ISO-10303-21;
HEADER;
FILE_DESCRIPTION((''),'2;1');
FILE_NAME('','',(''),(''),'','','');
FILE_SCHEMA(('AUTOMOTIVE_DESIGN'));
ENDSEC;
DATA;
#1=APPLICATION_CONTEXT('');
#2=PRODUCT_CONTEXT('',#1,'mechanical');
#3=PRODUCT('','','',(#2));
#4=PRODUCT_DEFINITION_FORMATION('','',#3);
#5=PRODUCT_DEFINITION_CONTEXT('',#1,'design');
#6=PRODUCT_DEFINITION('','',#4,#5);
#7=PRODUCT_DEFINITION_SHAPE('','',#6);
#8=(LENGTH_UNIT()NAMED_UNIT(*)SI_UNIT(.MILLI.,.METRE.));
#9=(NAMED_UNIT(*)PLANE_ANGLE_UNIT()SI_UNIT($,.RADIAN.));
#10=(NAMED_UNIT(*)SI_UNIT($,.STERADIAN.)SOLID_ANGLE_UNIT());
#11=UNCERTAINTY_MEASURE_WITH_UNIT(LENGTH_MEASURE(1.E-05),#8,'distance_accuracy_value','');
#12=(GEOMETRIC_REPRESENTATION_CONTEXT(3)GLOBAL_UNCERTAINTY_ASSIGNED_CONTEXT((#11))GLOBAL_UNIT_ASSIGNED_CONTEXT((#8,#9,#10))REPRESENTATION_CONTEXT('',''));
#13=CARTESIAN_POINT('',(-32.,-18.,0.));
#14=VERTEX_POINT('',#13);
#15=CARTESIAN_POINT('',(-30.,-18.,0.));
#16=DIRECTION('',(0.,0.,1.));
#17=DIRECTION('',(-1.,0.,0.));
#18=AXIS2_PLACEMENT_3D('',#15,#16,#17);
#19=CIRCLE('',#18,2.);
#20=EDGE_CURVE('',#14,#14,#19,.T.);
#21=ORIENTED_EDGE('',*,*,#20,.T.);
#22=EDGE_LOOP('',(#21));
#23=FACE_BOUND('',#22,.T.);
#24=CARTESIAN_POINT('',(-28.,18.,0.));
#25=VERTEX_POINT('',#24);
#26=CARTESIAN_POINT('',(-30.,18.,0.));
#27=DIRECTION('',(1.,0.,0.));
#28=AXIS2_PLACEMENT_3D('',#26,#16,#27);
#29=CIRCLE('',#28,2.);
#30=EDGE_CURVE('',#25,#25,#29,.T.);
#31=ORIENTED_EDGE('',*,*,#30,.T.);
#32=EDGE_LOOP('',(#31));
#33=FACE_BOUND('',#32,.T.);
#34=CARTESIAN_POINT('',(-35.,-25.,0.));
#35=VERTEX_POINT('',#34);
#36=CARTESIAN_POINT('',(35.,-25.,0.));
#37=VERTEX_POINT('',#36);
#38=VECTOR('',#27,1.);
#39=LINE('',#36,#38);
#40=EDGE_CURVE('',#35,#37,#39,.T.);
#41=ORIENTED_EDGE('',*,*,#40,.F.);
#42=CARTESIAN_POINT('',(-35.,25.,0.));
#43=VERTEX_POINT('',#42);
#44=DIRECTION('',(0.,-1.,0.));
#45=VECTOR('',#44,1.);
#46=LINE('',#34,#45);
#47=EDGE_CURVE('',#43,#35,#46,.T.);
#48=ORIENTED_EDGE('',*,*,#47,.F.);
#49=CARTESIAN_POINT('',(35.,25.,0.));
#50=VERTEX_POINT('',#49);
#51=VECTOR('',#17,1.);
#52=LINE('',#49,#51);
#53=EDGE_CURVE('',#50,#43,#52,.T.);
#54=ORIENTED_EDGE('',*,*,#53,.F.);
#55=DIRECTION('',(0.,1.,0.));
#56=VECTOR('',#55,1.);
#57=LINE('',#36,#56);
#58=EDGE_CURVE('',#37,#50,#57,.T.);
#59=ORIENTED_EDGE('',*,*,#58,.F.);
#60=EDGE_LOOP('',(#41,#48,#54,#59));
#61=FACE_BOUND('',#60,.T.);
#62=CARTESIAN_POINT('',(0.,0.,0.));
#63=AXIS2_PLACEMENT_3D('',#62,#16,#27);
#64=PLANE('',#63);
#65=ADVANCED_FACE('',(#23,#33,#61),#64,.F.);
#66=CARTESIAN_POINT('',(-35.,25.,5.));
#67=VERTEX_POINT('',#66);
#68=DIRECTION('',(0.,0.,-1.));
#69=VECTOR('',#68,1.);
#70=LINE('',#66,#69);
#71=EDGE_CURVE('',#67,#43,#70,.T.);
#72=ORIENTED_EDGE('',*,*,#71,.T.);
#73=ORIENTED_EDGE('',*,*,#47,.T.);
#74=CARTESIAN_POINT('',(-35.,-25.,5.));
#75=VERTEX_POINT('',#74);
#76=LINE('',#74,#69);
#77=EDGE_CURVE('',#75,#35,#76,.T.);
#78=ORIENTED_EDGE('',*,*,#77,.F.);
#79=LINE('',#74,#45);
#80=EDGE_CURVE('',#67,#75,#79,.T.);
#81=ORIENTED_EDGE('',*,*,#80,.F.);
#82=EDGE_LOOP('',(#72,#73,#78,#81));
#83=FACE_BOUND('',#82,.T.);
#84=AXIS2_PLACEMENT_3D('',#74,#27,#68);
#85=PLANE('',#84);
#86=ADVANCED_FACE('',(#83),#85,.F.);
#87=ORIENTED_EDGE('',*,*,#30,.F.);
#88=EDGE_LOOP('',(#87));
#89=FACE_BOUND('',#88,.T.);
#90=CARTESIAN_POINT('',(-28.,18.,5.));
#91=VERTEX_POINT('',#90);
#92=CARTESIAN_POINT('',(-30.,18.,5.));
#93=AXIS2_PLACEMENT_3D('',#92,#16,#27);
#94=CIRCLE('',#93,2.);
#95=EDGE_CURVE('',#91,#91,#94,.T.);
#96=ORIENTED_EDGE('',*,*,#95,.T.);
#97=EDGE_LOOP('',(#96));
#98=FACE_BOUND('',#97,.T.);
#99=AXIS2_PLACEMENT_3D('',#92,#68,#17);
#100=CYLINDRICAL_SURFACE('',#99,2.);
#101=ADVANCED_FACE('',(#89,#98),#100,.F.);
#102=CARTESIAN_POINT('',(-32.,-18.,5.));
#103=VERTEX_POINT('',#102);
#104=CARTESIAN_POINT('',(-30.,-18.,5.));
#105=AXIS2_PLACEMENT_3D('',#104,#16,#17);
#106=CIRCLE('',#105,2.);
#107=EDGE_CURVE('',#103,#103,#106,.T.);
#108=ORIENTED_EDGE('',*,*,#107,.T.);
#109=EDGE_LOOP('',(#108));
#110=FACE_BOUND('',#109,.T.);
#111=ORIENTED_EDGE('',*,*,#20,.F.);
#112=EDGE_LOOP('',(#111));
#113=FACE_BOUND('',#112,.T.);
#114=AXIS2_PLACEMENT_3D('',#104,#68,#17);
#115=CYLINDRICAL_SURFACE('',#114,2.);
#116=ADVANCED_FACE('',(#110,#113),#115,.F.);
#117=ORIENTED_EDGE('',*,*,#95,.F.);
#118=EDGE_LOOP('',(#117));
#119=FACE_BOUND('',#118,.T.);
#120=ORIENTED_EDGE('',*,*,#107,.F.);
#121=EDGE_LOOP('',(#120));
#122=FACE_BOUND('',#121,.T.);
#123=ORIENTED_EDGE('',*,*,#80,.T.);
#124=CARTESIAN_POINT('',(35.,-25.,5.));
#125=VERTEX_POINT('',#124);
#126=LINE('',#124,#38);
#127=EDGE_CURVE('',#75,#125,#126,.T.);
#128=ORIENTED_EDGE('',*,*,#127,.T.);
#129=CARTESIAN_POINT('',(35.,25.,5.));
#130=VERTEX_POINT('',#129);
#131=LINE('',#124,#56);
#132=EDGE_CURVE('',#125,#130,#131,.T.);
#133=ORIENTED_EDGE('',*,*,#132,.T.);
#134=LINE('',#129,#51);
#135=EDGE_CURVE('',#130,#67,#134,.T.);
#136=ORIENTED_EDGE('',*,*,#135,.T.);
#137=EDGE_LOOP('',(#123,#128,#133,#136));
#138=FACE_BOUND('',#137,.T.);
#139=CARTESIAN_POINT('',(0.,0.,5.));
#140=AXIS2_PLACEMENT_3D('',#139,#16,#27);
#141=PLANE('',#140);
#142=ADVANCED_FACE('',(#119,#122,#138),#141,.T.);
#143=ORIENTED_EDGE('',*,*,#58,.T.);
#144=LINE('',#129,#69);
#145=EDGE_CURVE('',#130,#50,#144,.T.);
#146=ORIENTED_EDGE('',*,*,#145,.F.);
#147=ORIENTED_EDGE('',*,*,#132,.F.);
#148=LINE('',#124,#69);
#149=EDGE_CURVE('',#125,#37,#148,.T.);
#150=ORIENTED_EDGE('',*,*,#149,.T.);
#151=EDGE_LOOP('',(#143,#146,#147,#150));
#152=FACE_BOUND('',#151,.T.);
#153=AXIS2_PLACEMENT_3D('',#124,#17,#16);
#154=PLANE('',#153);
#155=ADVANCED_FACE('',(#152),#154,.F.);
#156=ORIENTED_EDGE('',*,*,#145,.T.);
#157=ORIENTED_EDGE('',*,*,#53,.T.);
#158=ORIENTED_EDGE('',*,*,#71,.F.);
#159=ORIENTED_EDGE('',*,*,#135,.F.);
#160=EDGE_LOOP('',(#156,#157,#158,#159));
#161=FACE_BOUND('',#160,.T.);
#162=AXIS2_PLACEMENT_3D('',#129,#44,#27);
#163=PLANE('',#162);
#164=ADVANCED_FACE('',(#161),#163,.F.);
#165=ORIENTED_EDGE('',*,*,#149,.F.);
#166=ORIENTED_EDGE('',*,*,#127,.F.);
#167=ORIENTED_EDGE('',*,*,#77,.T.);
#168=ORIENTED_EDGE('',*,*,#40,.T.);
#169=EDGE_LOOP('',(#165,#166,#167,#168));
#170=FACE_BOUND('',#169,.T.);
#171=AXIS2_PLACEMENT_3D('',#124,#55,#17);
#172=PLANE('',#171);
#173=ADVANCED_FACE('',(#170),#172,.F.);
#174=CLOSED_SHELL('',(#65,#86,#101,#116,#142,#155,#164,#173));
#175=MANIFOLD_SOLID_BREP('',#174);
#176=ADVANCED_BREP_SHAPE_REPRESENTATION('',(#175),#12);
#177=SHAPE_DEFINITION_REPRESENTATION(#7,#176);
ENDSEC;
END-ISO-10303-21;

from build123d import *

# Parameters (mm, degrees)
ESQUISSE1_W        = 70
ESQUISSE1_H        = 50
ESQUISSE1_R        = 2
BOSS_EXTRU_1_DEPTH = 5


with BuildPart() as part:
    # Esquisse1 → Boss.-Extru.1 (new body)
    with BuildSketch(Plane.XY):
        Rectangle(ESQUISSE1_W, ESQUISSE1_H)
        with Locations((-30, 18)):
            Circle(ESQUISSE1_R, mode=Mode.SUBTRACT)
        with Locations(Location((-30, -18, 0), (0, 0, 180))):
            Circle(ESQUISSE1_R, mode=Mode.SUBTRACT)
    extrude(amount=BOSS_EXTRU_1_DEPTH)


solid = part.part
